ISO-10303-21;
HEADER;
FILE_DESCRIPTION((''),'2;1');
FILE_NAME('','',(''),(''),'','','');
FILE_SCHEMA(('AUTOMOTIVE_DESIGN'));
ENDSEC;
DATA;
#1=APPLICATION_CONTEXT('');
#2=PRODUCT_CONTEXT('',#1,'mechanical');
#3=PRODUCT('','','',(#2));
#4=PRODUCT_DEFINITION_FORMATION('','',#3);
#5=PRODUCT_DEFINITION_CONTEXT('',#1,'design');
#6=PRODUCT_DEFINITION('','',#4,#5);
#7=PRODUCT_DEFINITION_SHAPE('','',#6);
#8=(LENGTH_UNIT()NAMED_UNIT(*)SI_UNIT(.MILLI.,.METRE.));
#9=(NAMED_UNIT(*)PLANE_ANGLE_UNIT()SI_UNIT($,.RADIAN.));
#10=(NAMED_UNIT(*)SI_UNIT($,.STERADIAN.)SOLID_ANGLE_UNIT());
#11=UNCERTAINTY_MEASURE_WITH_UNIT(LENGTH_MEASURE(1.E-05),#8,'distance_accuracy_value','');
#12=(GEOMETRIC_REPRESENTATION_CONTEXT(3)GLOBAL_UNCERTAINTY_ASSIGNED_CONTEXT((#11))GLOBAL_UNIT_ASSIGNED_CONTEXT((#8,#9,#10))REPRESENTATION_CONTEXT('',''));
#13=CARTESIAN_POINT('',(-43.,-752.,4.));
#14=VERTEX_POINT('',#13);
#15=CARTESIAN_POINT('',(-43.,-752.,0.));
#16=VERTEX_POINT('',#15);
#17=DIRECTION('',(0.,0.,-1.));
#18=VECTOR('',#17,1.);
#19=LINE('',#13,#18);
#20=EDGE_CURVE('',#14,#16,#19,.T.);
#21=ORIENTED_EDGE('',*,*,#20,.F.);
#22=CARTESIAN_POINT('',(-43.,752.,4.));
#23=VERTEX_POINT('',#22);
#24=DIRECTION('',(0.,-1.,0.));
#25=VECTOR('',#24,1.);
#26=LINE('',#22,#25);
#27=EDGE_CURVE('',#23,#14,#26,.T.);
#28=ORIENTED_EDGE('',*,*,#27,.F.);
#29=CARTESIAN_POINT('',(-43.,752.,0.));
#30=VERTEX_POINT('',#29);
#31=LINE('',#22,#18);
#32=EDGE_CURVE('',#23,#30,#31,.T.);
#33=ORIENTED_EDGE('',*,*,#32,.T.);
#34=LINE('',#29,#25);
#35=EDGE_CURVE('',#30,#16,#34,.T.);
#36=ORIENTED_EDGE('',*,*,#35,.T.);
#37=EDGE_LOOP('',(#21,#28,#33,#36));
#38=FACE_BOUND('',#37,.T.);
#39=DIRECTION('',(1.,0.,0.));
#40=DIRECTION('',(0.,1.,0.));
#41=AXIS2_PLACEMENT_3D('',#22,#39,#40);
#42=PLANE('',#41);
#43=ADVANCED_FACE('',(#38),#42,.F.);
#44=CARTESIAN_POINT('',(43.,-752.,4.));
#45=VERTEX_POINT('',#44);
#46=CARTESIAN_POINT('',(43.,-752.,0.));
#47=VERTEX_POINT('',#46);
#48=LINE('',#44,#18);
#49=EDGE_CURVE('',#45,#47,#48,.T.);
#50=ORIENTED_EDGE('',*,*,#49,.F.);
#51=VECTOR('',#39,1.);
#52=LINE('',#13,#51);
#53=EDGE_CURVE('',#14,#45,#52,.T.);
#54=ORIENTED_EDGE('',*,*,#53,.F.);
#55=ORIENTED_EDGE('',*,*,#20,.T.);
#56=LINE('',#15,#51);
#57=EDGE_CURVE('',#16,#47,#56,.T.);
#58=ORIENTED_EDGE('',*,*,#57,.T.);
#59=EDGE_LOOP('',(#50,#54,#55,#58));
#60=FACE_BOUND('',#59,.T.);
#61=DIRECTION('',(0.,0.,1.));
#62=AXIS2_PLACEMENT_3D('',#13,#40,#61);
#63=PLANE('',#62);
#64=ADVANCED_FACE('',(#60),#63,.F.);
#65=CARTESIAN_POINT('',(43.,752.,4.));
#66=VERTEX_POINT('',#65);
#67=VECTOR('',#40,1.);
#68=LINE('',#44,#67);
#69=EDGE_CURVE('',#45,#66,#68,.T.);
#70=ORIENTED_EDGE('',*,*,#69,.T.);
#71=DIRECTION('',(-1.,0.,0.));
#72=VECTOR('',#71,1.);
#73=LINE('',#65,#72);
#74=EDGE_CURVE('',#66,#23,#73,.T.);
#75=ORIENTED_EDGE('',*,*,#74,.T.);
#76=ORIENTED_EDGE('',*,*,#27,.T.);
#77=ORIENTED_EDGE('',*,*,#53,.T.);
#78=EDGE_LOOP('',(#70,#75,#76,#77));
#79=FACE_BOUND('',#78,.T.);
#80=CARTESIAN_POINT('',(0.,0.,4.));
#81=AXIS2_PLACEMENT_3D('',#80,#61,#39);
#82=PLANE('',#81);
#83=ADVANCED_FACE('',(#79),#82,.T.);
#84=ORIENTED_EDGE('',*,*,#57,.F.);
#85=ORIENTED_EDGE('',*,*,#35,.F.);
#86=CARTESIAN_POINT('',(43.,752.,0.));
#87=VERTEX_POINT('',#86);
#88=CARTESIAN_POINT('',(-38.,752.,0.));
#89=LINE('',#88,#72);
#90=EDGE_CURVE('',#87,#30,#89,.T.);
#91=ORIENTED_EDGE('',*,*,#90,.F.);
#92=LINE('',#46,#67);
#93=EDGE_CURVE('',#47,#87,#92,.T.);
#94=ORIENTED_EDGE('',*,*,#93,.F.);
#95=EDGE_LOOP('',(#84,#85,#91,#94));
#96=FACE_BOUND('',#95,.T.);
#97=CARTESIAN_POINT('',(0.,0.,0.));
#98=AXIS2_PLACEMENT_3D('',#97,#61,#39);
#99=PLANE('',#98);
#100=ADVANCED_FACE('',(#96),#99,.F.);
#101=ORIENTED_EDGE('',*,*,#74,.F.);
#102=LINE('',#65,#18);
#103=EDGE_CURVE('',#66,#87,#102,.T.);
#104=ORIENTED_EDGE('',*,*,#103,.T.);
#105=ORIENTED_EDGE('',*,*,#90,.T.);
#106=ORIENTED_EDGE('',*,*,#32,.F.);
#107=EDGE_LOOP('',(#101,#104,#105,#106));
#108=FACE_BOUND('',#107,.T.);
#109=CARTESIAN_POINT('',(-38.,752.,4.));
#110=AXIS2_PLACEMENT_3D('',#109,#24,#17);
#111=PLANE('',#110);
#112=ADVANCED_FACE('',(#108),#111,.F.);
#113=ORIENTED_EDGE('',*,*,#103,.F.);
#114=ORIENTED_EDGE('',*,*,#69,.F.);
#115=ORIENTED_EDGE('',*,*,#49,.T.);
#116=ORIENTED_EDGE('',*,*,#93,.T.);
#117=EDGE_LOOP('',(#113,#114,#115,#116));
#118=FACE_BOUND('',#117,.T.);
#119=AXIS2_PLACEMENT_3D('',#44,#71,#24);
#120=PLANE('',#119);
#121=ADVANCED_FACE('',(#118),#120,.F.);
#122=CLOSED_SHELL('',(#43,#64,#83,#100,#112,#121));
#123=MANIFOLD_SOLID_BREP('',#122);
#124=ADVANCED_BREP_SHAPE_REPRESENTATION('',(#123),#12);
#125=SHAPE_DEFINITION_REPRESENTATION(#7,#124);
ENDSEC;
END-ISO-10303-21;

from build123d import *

# Parameters (mm, degrees)
BOSS_EXTRUDE1_DEPTH = 4


with BuildPart() as part:
    # Sketch1 → Boss-Extrude1 (new body)
    with BuildSketch(Plane.XY):
        Polygon((-43, -752), (43, -752), (43, 752), (-38, 752), (-43, 752), align=None)
    extrude(amount=BOSS_EXTRUDE1_DEPTH)


solid = part.part
